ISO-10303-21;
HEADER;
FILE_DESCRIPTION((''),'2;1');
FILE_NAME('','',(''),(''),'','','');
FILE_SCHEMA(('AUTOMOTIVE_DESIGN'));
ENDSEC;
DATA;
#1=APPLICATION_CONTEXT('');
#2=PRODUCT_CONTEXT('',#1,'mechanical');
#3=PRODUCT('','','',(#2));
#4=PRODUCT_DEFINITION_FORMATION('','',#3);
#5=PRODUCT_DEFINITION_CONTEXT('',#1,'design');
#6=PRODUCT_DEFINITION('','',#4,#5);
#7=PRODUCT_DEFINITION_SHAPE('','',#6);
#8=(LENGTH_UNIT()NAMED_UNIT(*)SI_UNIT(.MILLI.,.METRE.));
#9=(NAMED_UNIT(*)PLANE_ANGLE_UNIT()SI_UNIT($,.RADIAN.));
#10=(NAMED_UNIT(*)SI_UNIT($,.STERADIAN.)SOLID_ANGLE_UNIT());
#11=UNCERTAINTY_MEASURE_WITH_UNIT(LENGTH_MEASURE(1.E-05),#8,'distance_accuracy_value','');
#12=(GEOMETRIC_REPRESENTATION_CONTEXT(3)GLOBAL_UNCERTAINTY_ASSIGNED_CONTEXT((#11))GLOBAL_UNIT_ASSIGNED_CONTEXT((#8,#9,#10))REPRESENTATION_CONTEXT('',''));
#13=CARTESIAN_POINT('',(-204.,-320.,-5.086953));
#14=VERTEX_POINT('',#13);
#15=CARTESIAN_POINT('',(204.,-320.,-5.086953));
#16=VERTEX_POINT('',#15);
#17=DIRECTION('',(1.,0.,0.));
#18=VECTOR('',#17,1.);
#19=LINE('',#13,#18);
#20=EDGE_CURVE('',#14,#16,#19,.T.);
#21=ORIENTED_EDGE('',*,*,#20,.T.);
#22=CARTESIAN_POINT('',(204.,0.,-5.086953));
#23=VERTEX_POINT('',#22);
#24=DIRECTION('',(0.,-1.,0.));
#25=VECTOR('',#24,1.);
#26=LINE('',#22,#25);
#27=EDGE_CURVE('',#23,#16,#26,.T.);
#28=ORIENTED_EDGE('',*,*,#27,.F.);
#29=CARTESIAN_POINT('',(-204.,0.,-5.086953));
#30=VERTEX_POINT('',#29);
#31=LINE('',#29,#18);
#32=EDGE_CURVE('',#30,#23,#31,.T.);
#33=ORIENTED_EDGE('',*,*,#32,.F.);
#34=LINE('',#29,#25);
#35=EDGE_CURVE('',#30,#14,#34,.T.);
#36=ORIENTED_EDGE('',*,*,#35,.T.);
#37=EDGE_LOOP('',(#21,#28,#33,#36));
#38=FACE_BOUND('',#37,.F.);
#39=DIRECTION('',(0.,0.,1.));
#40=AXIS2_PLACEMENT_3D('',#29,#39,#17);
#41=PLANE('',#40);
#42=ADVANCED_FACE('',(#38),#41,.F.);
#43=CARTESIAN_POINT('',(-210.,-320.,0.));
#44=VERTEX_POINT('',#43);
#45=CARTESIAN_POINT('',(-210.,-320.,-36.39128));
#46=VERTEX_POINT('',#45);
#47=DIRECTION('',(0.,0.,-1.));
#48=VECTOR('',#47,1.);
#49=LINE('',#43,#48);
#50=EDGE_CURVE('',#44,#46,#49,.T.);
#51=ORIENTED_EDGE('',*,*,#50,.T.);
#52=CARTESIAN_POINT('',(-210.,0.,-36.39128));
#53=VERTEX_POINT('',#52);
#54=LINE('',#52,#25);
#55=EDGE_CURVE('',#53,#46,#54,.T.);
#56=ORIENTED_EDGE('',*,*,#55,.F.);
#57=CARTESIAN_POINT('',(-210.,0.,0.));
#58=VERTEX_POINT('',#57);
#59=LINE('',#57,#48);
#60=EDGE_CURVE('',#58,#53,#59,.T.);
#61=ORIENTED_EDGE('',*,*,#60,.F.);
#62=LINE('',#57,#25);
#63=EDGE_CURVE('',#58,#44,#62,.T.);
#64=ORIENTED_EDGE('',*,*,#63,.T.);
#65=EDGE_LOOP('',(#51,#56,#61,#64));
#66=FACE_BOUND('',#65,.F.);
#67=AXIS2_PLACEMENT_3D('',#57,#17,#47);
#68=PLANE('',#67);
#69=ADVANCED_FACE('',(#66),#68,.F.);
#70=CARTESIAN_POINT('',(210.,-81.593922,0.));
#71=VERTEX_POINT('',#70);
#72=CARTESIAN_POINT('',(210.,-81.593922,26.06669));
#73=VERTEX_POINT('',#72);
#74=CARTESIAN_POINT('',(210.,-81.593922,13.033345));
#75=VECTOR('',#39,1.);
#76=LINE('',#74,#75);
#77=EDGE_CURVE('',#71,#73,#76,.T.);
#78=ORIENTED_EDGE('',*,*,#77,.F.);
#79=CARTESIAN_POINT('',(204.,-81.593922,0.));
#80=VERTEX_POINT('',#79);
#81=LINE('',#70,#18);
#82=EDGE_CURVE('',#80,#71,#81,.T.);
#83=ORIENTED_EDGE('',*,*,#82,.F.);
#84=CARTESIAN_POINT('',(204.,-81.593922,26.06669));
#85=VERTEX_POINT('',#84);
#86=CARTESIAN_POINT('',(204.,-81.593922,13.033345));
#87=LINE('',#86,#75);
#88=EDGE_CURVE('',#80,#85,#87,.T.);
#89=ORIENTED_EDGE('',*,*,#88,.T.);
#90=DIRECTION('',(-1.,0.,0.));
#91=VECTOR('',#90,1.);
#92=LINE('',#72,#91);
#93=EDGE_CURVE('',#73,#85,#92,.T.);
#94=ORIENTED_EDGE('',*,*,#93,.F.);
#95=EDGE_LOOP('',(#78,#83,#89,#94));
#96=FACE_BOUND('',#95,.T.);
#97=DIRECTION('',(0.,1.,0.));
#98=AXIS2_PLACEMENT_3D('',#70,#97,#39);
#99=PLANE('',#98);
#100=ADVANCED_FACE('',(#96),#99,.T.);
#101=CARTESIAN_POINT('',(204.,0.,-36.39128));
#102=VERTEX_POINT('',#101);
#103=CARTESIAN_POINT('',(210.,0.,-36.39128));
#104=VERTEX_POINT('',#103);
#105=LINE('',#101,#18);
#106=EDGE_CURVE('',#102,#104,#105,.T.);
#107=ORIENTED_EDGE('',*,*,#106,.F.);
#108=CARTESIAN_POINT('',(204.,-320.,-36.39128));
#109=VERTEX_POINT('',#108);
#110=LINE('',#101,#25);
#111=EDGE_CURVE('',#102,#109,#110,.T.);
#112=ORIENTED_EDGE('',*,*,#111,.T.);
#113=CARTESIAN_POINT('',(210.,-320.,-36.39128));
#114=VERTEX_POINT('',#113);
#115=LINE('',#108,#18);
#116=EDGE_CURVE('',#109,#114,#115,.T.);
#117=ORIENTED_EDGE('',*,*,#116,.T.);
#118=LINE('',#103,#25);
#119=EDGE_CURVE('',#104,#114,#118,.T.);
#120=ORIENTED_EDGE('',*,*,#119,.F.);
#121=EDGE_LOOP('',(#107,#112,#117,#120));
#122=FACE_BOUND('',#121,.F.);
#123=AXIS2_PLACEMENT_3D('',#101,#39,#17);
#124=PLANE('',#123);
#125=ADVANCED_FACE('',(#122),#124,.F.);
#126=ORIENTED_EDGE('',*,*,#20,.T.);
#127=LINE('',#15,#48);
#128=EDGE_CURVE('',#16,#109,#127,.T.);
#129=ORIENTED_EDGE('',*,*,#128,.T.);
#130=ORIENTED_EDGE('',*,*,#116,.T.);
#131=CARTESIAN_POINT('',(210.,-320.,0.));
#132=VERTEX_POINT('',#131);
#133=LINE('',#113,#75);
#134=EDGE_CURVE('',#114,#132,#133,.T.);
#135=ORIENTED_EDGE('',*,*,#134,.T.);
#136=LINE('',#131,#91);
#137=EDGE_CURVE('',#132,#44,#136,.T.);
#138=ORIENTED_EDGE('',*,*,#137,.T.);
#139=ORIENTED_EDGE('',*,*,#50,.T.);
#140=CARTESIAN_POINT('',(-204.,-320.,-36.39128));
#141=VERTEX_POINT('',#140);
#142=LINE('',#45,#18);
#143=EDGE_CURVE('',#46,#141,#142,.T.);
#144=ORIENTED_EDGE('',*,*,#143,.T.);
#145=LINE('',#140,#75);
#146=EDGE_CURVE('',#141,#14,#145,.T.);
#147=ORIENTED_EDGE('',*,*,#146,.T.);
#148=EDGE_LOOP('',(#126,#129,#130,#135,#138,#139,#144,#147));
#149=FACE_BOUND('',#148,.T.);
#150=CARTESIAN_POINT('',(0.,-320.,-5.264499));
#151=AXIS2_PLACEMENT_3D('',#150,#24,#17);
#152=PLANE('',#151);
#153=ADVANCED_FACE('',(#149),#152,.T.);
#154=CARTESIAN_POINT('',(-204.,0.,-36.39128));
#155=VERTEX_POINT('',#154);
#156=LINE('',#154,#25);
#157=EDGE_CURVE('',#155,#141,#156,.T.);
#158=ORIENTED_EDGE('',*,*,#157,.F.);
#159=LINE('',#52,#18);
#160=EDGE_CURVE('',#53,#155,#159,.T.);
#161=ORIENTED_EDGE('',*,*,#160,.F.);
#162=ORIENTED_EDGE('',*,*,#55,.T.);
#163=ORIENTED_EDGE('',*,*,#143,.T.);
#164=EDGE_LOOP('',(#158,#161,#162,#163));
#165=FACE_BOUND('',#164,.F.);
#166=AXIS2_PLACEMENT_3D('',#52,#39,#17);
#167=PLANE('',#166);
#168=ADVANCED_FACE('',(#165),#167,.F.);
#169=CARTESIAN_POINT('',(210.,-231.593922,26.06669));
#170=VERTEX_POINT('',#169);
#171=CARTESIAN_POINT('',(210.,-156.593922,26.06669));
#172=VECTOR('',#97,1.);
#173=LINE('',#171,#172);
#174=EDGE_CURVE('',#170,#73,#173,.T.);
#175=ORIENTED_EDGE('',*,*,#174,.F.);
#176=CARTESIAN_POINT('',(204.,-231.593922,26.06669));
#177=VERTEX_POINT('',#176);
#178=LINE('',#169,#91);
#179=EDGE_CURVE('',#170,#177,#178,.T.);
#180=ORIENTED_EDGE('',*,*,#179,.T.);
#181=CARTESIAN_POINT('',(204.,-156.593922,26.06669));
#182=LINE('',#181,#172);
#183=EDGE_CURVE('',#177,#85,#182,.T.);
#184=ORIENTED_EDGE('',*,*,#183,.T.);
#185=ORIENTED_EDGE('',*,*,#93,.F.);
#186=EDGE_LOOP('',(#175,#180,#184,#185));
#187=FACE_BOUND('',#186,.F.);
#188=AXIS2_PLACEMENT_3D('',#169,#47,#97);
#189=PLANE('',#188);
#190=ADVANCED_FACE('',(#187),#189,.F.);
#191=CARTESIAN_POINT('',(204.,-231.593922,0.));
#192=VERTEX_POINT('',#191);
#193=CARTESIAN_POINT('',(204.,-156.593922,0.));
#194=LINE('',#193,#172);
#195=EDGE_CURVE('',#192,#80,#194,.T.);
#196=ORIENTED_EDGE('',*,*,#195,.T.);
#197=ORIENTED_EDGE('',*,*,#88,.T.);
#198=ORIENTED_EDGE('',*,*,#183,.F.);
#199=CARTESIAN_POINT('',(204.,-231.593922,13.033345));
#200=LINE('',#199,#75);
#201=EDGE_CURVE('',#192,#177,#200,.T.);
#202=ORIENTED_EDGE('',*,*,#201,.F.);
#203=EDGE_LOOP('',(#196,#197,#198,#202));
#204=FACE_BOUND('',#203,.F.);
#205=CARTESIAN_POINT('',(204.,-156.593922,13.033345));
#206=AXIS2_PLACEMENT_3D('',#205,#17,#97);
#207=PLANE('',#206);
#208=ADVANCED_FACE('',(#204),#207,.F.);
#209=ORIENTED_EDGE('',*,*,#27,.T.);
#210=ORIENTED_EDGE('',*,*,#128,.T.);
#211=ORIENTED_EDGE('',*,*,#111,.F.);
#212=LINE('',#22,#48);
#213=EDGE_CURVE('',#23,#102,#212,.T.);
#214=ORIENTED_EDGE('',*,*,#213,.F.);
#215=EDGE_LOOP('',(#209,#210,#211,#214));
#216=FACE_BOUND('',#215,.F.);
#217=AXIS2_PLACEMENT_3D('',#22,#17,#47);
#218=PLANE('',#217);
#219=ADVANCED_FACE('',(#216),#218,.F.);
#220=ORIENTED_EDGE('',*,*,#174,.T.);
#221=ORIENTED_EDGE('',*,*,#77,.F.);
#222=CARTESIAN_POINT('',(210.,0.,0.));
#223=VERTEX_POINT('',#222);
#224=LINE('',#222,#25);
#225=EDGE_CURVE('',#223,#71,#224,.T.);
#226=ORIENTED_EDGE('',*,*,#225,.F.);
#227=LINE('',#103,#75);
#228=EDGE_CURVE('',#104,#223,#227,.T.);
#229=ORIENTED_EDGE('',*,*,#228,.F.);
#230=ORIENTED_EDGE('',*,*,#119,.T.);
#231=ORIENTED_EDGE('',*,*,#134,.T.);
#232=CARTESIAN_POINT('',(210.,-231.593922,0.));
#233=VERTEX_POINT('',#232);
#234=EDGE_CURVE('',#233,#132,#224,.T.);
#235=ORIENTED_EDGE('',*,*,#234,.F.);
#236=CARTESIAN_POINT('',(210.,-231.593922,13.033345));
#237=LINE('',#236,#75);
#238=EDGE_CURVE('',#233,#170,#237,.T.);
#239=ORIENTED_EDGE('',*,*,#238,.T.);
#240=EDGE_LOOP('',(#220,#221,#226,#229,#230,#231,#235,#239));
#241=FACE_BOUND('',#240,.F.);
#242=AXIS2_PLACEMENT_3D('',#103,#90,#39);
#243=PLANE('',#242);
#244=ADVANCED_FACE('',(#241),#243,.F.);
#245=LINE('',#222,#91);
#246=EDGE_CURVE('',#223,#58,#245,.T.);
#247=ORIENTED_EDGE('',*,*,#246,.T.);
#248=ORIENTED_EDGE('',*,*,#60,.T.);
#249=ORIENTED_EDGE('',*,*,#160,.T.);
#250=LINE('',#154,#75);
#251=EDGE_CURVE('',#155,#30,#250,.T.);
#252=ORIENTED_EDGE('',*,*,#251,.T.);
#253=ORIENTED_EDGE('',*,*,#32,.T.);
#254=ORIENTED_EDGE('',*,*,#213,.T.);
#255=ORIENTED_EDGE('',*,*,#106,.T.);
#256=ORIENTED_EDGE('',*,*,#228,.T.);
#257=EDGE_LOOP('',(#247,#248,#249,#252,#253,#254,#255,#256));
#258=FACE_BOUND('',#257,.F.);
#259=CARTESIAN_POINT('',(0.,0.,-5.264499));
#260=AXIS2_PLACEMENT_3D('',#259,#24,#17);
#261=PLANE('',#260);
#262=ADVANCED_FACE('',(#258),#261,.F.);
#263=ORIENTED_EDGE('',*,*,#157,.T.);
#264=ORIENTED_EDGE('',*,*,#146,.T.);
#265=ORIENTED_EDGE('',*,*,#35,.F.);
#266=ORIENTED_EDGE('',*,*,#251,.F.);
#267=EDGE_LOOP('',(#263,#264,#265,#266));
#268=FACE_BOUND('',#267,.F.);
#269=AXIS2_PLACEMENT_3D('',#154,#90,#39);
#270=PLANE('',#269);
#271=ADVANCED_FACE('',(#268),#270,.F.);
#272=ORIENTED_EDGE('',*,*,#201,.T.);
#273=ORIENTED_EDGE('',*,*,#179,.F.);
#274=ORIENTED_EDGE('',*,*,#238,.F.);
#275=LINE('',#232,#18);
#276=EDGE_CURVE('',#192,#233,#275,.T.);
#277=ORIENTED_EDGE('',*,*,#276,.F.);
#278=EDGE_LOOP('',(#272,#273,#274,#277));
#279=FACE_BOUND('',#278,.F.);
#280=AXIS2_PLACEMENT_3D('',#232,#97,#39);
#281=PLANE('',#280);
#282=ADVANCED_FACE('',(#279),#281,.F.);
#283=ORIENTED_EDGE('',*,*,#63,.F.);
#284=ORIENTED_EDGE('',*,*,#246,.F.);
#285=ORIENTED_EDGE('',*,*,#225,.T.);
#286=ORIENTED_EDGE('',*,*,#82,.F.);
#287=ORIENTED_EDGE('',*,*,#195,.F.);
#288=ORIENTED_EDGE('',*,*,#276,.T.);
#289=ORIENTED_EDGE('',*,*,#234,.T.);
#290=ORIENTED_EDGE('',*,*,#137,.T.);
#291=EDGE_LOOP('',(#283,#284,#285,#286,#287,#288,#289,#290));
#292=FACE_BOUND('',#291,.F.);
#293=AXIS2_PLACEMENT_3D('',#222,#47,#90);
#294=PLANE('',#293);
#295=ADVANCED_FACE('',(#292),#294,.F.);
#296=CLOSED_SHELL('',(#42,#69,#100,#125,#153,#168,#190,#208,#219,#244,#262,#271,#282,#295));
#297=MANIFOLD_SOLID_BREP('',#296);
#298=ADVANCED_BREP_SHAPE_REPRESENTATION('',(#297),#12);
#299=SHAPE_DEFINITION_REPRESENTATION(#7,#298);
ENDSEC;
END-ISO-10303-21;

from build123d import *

# Parameters (mm, degrees)
F1_DEPTH = 320
F2_W     = 150
F2_H     = 26.066691
F3_DEPTH = 6


with BuildPart() as f1:
    # F0 (on Front) → F1 (new body)
    with BuildSketch(Plane.XZ):
        Polygon((-210, 0), (-210, -36.39128), (-204, -36.39128), (-204, -5.086953), (0, -5.086953), (204, -5.086953), (204, -36.39128), (210, -36.39128), (210, 0), (0, 0), align=None)
    extrude(amount=F1_DEPTH)

    # F2 (on face) → F3 (join)
    with BuildSketch(Plane.YZ.offset(210)):
        with Locations((-156.593922, 13.033345)):
            Rectangle(F2_W, F2_H)
    extrude(amount=-F3_DEPTH)


solid = f1.part
